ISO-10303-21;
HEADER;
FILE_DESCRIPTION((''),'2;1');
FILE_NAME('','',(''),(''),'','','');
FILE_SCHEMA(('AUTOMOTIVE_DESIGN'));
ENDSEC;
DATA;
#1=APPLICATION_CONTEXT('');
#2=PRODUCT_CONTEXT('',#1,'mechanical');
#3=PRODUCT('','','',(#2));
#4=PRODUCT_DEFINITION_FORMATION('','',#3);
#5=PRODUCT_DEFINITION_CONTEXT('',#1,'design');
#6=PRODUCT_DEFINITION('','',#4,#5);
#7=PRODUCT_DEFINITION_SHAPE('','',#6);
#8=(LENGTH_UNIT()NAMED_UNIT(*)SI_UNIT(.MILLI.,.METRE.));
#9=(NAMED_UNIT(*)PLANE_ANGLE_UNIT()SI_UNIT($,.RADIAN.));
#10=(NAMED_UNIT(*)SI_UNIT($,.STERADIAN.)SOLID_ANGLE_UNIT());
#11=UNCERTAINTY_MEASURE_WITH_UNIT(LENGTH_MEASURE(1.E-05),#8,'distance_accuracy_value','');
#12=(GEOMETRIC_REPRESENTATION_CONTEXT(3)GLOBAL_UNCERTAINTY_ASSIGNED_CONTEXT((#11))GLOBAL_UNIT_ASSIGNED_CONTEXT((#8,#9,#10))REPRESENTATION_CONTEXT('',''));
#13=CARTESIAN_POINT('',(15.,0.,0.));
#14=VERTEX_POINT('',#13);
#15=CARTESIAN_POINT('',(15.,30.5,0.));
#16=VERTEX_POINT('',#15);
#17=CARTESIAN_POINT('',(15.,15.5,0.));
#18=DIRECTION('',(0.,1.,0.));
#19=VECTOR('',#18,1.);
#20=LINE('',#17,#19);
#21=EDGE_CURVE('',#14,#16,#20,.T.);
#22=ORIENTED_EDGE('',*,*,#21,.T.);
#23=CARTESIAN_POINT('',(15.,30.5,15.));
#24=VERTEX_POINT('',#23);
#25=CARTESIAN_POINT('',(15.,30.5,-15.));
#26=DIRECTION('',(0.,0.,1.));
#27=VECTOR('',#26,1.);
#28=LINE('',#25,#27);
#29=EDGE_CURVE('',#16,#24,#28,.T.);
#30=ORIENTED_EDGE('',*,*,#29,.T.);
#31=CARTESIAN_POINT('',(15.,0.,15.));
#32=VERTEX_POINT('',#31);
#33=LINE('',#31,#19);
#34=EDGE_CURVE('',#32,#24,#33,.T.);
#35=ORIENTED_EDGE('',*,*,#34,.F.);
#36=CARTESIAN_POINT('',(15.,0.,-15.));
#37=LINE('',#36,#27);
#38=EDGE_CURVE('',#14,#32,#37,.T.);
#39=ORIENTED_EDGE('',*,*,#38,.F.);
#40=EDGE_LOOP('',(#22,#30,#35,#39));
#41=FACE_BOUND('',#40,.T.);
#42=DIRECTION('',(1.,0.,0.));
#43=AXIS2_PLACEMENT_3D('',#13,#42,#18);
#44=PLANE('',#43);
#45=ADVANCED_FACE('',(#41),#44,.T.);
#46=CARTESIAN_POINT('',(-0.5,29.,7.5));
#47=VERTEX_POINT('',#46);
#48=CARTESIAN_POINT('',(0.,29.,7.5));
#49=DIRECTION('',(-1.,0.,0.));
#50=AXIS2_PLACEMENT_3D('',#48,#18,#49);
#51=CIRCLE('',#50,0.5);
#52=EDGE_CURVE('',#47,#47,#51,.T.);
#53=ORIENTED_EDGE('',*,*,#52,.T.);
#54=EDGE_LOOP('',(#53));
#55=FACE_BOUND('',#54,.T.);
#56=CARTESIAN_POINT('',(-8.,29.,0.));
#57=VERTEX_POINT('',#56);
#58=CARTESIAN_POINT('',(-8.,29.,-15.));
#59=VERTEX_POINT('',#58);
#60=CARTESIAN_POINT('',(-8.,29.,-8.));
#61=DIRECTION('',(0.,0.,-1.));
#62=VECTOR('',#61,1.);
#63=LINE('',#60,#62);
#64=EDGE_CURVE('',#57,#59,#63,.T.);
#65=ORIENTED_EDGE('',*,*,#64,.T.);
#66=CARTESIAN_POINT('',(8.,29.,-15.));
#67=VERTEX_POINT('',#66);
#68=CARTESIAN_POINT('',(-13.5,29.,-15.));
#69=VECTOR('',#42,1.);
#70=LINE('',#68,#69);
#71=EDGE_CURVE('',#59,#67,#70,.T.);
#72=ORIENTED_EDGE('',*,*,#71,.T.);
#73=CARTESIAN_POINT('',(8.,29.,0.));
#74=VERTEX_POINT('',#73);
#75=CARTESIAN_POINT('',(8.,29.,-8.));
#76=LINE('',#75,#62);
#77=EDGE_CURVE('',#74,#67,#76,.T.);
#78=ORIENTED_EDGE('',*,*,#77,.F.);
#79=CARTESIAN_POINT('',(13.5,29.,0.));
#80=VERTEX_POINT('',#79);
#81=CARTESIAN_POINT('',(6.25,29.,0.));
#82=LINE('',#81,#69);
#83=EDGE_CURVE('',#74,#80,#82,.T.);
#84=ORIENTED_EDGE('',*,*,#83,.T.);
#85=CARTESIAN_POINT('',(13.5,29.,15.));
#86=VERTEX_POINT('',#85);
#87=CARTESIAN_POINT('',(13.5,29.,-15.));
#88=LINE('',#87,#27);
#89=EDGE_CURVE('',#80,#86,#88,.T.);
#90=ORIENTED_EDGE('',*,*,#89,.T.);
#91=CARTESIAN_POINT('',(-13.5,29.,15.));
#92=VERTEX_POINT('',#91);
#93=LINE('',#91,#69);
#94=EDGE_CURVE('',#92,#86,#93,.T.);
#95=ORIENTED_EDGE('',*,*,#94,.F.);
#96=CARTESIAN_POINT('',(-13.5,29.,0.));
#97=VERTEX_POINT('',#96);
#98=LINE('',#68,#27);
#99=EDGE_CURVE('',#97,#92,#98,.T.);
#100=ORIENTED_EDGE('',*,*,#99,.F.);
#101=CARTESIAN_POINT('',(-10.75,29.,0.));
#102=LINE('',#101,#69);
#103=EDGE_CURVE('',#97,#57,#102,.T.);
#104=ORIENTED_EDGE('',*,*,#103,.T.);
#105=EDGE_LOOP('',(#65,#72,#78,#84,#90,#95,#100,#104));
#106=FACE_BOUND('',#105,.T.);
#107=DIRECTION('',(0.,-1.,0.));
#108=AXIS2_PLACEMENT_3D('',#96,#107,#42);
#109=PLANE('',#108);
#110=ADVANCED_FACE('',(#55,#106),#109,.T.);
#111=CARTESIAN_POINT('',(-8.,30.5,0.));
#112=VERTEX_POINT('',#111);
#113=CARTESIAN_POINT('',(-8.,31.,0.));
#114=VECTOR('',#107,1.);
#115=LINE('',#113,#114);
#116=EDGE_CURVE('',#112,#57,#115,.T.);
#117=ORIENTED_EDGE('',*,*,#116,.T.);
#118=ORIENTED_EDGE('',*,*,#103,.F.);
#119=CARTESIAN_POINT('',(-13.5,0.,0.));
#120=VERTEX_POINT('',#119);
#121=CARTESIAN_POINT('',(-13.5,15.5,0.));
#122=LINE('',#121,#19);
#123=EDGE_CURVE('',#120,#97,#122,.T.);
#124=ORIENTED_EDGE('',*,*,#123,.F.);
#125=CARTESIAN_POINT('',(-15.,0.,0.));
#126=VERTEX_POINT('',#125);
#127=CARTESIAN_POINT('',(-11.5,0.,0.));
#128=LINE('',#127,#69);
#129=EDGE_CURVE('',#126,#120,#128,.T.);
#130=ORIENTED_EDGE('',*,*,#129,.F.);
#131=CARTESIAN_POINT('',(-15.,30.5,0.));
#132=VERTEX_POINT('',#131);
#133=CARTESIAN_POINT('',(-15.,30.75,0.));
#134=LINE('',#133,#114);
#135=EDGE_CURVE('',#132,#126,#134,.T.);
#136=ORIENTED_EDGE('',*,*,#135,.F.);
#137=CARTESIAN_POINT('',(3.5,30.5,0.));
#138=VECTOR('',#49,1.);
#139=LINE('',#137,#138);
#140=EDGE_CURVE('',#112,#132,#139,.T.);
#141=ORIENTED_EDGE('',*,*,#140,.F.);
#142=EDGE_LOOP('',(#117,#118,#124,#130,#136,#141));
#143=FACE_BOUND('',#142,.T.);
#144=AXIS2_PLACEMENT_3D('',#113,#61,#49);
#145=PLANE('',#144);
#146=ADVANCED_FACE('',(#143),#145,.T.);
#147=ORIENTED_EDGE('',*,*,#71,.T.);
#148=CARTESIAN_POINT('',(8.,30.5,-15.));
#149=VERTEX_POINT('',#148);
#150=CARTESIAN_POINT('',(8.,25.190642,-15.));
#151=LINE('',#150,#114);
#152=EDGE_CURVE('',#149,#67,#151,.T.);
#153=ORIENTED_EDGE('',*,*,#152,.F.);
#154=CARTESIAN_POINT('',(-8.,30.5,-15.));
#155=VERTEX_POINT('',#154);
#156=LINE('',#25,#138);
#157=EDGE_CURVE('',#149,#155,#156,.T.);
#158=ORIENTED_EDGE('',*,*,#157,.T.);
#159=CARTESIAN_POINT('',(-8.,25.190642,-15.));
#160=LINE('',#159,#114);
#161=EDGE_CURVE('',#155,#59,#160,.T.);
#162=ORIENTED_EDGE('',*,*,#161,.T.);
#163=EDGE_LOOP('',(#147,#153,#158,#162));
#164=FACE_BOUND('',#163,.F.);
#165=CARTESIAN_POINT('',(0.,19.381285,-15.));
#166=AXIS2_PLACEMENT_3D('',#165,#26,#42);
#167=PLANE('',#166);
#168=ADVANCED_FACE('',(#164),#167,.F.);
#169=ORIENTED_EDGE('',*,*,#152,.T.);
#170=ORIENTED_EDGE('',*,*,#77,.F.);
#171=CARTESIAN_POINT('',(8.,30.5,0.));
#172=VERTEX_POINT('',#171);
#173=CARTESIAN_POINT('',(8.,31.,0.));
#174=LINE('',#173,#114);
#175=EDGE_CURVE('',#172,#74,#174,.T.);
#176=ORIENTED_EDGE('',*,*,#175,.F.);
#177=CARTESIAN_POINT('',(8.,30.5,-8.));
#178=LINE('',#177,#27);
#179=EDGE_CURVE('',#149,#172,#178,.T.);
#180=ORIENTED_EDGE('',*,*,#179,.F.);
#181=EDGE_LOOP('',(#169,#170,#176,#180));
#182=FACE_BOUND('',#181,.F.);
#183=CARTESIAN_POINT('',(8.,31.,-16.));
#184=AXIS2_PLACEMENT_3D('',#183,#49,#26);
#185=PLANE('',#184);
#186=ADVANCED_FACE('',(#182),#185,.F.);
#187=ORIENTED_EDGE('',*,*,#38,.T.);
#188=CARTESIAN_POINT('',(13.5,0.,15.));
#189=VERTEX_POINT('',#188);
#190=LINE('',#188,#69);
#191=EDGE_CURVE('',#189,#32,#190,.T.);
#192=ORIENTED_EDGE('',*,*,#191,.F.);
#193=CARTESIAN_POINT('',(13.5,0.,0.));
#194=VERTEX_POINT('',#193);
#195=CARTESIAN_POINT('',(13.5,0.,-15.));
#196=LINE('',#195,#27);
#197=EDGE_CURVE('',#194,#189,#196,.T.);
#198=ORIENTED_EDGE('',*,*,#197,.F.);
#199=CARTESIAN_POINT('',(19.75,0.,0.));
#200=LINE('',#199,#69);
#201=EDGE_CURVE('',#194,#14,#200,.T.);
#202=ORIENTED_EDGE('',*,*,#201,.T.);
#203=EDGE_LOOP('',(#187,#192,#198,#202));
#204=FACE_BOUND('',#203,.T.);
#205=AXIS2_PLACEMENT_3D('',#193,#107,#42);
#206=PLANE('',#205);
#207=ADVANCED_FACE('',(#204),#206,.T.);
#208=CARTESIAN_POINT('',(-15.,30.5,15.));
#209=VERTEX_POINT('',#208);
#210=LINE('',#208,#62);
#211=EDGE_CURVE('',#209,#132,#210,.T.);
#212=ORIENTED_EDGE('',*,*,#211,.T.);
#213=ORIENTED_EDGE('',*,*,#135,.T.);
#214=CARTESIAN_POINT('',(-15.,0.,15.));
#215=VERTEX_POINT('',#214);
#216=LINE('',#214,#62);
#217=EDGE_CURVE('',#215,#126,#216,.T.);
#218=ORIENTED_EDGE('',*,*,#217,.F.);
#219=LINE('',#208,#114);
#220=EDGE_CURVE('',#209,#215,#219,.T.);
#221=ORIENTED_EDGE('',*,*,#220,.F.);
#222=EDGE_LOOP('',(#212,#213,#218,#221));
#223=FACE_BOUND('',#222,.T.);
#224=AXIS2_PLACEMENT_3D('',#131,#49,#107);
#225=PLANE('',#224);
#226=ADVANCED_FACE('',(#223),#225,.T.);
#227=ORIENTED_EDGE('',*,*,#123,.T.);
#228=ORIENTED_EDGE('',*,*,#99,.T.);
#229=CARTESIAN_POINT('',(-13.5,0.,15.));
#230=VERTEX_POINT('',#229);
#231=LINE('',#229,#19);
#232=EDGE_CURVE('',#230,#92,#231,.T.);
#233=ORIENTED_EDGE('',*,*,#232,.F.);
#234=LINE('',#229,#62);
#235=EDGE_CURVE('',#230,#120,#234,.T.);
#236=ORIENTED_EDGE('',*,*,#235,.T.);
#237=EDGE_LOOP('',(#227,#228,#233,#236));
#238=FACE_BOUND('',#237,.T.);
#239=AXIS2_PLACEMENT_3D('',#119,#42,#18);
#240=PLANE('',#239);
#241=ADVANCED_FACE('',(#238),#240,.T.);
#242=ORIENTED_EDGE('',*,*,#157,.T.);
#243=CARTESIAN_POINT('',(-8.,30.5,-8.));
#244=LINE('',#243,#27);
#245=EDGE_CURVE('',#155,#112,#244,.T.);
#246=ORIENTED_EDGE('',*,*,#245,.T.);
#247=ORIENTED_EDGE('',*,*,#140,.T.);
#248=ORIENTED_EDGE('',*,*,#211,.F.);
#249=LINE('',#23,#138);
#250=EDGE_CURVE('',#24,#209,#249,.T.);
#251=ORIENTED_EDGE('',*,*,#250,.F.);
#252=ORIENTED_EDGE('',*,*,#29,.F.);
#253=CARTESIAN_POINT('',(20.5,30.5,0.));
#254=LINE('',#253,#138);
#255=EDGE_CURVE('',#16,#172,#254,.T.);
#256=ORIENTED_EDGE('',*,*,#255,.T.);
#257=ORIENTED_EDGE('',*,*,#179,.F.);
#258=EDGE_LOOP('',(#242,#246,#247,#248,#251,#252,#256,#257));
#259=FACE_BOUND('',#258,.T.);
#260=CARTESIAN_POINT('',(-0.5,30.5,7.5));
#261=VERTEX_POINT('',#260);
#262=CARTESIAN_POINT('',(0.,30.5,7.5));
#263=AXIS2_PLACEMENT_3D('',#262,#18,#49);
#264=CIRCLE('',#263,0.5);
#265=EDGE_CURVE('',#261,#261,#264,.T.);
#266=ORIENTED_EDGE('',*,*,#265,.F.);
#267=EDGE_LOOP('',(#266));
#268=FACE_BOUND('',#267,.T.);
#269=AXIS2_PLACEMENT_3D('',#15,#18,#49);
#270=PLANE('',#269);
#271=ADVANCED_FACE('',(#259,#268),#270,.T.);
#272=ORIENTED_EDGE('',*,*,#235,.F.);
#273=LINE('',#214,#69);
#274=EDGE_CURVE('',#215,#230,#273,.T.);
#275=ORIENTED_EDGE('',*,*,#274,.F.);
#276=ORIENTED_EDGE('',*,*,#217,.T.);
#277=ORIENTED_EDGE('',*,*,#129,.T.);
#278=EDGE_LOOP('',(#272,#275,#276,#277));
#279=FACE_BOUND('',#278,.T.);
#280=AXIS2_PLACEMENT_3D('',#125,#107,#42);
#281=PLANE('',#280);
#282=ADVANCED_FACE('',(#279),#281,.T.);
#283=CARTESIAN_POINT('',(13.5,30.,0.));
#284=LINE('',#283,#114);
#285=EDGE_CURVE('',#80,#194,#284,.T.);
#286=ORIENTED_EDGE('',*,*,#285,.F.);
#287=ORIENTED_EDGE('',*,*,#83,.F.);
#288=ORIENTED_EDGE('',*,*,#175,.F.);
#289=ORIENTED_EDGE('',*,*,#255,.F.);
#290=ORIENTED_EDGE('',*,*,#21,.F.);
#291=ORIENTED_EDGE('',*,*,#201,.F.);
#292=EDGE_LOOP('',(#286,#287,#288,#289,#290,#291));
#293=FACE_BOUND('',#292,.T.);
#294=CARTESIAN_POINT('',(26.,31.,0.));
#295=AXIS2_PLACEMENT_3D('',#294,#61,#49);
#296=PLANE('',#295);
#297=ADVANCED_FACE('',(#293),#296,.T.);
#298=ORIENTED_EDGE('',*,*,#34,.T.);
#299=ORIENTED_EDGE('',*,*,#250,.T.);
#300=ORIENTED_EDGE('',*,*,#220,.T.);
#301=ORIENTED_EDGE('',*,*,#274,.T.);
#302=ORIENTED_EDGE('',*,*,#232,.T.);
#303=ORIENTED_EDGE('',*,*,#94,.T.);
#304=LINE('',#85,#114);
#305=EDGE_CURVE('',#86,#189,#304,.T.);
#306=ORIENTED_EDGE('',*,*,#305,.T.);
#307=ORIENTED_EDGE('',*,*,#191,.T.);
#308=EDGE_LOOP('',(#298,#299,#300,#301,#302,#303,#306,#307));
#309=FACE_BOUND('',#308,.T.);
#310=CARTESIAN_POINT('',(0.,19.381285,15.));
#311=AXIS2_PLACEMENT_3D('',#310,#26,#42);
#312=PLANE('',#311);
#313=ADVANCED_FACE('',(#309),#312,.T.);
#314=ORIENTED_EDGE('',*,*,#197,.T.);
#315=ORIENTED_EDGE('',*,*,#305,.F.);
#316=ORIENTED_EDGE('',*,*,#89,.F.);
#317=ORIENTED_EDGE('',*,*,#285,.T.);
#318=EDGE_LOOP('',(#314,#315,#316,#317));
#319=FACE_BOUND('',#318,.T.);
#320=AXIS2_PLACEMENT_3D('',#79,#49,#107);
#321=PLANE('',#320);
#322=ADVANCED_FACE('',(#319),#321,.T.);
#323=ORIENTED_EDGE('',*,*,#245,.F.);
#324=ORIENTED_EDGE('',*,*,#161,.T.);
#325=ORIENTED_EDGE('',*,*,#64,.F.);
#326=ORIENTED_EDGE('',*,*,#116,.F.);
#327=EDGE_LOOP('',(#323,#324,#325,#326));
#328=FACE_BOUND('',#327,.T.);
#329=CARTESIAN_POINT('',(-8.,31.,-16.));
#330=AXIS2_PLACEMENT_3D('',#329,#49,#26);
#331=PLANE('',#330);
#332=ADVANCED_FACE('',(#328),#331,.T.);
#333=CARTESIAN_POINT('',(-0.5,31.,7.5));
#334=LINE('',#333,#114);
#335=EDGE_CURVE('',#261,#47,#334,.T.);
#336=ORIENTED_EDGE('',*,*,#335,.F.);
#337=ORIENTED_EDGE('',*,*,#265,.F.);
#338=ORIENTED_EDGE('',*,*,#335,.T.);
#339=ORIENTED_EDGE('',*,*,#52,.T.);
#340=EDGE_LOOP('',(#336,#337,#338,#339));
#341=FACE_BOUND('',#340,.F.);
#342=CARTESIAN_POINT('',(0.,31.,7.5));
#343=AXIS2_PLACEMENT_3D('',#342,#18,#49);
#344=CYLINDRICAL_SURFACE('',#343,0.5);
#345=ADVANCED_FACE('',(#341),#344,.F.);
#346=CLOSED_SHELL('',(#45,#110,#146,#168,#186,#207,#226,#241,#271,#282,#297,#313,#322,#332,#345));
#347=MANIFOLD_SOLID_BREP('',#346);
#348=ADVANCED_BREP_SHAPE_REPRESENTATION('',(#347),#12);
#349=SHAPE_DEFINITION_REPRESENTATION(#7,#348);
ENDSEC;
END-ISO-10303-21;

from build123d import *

# Parameters (mm, degrees)
SKETCH001_R      = 0.5
SKETCH001_W      = 18
SKETCH001_H      = 16
EXTRUDE001_DEPTH = 32
EXTRUDE_DEPTH    = 15


with BuildPart() as extrude001:
    # Sketch001 → Extrude001 (new body)
    with BuildSketch(Plane(origin=(0, 31, 0), x_dir=(-1, 0, 0), z_dir=(0, 1, 0))):
        with Locations((0, 7.5)):
            Circle(SKETCH001_R)
        with Locations((-17, -8)):
            Rectangle(SKETCH001_W, SKETCH001_H)
        with Locations((17, -8)):
            Rectangle(SKETCH001_W, SKETCH001_H)
    extrude(amount=-EXTRUDE001_DEPTH)


with BuildPart() as cut:
    # Sketch → Extrude (new body, symmetric)
    with BuildSketch(Plane.XY):
        Polygon((-13.5, 0), (-13.5, 29), (13.5, 29), (13.5, 0), (15, 0), (15, 30.5), (-15, 30.5), (-15, 0), align=None)
    extrude(amount=EXTRUDE_DEPTH, both=True)

    # Cut: cut Extrude001
    add(extrude001.part, mode=Mode.SUBTRACT)


solid = cut.part
